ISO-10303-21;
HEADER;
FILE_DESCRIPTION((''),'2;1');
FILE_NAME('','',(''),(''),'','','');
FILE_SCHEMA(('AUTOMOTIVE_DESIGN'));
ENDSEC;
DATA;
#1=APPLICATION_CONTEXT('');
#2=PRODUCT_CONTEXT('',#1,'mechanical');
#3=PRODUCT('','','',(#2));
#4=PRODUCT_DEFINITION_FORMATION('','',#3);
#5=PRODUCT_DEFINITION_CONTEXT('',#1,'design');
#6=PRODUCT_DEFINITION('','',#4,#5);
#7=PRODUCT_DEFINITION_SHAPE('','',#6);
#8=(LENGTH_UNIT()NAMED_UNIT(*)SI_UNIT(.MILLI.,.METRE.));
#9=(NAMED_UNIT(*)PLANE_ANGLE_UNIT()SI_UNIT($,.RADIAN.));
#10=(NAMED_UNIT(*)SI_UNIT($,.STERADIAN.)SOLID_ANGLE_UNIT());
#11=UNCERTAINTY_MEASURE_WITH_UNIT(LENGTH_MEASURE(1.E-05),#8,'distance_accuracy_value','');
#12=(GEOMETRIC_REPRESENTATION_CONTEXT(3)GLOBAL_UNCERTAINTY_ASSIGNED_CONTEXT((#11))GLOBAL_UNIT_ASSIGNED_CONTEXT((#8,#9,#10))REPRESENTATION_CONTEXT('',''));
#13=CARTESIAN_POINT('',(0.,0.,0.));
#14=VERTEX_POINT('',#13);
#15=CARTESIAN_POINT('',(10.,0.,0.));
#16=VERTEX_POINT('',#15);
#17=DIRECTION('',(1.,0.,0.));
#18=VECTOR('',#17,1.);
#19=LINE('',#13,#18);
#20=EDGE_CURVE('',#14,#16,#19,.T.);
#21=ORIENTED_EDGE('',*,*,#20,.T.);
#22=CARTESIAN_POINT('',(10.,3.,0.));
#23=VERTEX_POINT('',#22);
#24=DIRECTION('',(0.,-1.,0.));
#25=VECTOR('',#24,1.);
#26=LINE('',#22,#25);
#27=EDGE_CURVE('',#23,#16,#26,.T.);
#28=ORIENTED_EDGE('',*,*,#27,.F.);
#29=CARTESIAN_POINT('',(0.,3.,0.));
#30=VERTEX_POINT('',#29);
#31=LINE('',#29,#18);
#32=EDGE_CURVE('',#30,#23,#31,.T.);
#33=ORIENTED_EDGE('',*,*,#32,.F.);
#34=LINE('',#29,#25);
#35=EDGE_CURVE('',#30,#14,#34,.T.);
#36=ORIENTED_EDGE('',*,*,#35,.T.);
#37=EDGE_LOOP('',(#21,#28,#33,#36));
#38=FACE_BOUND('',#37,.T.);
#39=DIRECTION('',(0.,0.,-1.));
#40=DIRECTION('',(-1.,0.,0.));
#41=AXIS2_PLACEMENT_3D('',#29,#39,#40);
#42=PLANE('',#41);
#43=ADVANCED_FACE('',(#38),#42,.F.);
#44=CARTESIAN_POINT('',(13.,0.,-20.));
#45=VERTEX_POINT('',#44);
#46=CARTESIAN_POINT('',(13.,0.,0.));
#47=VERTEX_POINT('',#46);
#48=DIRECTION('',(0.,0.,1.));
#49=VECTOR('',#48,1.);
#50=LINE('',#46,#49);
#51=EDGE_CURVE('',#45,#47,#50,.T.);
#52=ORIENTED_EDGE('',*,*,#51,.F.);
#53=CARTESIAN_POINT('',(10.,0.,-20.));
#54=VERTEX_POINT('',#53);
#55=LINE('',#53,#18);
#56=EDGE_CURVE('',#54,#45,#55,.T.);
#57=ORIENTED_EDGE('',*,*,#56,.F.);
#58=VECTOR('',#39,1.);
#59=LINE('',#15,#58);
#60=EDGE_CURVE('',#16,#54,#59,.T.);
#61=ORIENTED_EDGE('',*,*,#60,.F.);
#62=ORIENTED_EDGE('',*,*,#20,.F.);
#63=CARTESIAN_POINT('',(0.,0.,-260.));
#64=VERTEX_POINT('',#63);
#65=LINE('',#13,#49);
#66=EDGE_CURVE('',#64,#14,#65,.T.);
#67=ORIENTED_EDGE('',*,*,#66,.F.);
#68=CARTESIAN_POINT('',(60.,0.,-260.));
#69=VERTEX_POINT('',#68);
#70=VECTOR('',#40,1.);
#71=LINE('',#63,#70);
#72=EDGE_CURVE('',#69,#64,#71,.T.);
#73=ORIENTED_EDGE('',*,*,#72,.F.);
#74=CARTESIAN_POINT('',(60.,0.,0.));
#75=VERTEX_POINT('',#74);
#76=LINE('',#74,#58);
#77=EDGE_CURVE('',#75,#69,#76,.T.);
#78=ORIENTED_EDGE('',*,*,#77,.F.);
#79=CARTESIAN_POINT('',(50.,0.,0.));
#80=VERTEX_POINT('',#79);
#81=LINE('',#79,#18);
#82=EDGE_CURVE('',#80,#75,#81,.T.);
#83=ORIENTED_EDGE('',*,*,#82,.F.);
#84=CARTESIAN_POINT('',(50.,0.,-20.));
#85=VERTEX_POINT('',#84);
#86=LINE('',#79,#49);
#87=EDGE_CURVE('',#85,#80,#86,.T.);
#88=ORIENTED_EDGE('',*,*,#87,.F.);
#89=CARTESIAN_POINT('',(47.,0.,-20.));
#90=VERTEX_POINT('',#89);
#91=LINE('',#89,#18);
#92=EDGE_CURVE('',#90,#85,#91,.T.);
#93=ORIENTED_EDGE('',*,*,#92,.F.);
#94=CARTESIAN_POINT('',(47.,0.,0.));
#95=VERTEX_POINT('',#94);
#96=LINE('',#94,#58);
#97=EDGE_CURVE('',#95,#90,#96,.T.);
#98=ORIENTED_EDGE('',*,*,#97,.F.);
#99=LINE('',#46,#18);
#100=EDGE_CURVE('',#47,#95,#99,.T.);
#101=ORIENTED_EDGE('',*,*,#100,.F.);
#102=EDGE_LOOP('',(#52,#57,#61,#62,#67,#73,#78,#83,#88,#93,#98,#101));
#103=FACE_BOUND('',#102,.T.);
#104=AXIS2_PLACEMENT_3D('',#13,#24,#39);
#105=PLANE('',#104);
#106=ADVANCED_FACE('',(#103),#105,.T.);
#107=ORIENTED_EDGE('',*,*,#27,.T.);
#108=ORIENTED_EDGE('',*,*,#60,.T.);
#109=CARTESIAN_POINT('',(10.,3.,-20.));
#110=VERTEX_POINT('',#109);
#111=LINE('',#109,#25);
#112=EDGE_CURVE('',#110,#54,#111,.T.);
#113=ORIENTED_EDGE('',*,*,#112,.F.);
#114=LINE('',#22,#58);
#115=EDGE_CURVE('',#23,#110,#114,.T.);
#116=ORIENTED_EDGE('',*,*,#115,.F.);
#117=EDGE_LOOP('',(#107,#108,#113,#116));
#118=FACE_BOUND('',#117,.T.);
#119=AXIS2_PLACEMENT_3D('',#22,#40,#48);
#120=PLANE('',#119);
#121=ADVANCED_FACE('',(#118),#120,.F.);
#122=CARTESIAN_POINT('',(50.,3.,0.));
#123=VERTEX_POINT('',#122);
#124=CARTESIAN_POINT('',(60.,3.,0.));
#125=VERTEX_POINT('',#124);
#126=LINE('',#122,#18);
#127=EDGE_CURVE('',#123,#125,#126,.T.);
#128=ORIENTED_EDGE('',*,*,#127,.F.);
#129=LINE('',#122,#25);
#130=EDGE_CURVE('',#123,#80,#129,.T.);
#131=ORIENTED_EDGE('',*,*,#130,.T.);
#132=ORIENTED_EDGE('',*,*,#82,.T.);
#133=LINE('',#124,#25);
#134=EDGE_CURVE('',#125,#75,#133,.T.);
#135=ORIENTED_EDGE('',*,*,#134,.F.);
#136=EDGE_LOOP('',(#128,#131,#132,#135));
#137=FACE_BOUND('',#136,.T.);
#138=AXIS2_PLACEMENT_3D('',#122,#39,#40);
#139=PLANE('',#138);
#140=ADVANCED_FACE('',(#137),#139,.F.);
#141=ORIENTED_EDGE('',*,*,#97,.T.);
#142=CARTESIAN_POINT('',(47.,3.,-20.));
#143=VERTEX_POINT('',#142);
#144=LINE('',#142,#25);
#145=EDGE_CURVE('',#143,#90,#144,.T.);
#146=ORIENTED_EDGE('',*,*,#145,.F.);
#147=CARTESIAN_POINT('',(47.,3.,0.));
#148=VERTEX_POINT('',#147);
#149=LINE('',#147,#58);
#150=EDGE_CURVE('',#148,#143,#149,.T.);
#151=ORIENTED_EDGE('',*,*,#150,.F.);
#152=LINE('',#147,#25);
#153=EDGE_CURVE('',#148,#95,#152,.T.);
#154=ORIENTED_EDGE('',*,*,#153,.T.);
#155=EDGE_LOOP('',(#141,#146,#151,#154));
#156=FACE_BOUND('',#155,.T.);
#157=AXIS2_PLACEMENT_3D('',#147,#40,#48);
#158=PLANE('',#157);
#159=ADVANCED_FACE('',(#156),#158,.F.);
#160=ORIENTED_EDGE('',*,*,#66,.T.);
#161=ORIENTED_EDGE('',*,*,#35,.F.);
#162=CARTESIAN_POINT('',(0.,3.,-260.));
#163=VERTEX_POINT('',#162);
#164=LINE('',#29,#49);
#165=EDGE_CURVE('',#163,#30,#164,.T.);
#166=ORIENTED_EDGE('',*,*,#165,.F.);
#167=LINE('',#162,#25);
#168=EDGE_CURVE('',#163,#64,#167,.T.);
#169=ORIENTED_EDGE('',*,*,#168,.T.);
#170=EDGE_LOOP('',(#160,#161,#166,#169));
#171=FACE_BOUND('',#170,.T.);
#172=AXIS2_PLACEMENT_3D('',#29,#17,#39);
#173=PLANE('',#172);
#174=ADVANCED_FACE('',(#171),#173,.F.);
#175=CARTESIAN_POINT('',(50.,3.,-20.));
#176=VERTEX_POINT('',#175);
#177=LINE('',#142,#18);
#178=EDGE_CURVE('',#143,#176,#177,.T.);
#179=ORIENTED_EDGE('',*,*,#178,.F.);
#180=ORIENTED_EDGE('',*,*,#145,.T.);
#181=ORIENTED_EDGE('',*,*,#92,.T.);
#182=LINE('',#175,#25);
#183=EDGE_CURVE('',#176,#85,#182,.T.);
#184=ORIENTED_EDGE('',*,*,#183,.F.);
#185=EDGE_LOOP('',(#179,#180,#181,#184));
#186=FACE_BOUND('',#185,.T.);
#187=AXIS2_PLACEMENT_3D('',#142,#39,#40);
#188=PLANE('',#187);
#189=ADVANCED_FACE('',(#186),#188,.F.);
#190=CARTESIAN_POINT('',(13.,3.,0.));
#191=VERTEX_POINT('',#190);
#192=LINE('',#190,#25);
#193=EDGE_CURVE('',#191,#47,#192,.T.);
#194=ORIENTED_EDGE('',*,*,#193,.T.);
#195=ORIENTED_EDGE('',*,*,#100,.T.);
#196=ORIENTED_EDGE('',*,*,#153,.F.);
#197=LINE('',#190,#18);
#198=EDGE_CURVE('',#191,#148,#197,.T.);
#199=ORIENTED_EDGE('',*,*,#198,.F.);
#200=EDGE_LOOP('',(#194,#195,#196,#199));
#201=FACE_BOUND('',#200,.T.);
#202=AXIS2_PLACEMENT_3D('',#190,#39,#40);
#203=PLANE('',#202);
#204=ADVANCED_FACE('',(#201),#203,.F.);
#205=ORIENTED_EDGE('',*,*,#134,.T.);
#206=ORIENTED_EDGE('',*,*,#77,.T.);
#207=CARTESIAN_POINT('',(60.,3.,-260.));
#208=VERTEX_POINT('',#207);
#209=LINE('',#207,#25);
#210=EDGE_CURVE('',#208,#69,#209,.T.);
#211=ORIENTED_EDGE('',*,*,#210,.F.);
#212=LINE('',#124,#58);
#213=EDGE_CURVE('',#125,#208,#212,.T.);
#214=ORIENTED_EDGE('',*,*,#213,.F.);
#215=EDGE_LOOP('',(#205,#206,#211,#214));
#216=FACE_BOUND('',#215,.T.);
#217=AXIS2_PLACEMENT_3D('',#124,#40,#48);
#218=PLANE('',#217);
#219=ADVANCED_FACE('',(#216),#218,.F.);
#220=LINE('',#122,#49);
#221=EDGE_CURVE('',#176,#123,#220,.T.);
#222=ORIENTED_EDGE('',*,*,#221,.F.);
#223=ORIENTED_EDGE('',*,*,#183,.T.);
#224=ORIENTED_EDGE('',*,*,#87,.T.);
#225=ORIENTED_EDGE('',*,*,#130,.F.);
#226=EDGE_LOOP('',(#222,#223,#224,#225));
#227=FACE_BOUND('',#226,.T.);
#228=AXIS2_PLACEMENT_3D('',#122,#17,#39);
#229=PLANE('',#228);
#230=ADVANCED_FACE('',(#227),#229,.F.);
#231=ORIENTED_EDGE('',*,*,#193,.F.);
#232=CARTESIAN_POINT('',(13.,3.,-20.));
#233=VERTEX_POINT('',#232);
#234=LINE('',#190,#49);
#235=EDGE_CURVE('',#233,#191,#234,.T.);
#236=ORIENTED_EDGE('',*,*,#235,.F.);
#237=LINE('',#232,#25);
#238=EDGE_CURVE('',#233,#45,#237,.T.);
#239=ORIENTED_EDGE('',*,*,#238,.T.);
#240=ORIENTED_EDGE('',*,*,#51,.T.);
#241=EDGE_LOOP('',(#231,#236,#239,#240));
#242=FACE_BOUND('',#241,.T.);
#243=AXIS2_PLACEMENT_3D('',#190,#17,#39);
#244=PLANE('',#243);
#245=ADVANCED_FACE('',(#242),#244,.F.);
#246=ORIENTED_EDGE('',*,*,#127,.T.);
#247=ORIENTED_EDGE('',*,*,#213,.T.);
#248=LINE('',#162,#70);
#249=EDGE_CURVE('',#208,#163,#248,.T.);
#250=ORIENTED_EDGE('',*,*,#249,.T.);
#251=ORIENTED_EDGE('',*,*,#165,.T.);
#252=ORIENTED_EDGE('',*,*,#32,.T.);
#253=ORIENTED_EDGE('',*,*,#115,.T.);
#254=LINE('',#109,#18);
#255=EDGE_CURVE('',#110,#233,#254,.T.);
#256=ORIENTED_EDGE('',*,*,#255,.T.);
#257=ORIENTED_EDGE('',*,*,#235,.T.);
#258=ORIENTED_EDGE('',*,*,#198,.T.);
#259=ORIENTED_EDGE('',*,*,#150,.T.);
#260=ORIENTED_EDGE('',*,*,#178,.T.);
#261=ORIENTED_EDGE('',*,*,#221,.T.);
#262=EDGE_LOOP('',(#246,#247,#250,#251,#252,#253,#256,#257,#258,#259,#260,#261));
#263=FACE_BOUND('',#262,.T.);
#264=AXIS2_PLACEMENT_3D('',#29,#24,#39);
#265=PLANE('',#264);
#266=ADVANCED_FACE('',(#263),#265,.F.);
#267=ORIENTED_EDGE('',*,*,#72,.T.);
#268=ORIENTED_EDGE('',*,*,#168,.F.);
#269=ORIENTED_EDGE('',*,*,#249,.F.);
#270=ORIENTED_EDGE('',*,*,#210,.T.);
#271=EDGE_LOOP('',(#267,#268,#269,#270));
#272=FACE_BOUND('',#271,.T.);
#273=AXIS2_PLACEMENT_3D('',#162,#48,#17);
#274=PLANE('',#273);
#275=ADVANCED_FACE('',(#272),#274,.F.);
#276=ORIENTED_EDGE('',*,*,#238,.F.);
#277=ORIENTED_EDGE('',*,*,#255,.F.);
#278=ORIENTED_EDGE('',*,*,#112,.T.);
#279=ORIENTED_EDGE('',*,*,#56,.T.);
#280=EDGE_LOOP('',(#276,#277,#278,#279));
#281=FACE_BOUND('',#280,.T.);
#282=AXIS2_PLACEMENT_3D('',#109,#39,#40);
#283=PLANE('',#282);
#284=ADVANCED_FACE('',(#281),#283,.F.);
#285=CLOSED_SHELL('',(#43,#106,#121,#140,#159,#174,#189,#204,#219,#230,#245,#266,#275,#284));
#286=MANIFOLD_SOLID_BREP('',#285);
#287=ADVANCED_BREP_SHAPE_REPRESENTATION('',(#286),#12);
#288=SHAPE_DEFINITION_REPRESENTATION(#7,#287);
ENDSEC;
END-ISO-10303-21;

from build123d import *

# Parameters (mm, degrees)
BOSS_EXTRUDE1_DEPTH = 3


with BuildPart() as part:
    # Sketch1 → Boss-Extrude1 (new body)
    with BuildSketch(Plane(origin=(0, 0, 0), x_dir=(1, 0, 0), z_dir=(0, 1, 0))):
        Polygon((0, 0), (10, 0), (10, 20), (13, 20), (13, 0), (47, 0), (47, 20), (50, 20), (50, 0), (60, 0), (60, 260), (0, 260), align=None)
    extrude(amount=BOSS_EXTRUDE1_DEPTH)


solid = part.part
